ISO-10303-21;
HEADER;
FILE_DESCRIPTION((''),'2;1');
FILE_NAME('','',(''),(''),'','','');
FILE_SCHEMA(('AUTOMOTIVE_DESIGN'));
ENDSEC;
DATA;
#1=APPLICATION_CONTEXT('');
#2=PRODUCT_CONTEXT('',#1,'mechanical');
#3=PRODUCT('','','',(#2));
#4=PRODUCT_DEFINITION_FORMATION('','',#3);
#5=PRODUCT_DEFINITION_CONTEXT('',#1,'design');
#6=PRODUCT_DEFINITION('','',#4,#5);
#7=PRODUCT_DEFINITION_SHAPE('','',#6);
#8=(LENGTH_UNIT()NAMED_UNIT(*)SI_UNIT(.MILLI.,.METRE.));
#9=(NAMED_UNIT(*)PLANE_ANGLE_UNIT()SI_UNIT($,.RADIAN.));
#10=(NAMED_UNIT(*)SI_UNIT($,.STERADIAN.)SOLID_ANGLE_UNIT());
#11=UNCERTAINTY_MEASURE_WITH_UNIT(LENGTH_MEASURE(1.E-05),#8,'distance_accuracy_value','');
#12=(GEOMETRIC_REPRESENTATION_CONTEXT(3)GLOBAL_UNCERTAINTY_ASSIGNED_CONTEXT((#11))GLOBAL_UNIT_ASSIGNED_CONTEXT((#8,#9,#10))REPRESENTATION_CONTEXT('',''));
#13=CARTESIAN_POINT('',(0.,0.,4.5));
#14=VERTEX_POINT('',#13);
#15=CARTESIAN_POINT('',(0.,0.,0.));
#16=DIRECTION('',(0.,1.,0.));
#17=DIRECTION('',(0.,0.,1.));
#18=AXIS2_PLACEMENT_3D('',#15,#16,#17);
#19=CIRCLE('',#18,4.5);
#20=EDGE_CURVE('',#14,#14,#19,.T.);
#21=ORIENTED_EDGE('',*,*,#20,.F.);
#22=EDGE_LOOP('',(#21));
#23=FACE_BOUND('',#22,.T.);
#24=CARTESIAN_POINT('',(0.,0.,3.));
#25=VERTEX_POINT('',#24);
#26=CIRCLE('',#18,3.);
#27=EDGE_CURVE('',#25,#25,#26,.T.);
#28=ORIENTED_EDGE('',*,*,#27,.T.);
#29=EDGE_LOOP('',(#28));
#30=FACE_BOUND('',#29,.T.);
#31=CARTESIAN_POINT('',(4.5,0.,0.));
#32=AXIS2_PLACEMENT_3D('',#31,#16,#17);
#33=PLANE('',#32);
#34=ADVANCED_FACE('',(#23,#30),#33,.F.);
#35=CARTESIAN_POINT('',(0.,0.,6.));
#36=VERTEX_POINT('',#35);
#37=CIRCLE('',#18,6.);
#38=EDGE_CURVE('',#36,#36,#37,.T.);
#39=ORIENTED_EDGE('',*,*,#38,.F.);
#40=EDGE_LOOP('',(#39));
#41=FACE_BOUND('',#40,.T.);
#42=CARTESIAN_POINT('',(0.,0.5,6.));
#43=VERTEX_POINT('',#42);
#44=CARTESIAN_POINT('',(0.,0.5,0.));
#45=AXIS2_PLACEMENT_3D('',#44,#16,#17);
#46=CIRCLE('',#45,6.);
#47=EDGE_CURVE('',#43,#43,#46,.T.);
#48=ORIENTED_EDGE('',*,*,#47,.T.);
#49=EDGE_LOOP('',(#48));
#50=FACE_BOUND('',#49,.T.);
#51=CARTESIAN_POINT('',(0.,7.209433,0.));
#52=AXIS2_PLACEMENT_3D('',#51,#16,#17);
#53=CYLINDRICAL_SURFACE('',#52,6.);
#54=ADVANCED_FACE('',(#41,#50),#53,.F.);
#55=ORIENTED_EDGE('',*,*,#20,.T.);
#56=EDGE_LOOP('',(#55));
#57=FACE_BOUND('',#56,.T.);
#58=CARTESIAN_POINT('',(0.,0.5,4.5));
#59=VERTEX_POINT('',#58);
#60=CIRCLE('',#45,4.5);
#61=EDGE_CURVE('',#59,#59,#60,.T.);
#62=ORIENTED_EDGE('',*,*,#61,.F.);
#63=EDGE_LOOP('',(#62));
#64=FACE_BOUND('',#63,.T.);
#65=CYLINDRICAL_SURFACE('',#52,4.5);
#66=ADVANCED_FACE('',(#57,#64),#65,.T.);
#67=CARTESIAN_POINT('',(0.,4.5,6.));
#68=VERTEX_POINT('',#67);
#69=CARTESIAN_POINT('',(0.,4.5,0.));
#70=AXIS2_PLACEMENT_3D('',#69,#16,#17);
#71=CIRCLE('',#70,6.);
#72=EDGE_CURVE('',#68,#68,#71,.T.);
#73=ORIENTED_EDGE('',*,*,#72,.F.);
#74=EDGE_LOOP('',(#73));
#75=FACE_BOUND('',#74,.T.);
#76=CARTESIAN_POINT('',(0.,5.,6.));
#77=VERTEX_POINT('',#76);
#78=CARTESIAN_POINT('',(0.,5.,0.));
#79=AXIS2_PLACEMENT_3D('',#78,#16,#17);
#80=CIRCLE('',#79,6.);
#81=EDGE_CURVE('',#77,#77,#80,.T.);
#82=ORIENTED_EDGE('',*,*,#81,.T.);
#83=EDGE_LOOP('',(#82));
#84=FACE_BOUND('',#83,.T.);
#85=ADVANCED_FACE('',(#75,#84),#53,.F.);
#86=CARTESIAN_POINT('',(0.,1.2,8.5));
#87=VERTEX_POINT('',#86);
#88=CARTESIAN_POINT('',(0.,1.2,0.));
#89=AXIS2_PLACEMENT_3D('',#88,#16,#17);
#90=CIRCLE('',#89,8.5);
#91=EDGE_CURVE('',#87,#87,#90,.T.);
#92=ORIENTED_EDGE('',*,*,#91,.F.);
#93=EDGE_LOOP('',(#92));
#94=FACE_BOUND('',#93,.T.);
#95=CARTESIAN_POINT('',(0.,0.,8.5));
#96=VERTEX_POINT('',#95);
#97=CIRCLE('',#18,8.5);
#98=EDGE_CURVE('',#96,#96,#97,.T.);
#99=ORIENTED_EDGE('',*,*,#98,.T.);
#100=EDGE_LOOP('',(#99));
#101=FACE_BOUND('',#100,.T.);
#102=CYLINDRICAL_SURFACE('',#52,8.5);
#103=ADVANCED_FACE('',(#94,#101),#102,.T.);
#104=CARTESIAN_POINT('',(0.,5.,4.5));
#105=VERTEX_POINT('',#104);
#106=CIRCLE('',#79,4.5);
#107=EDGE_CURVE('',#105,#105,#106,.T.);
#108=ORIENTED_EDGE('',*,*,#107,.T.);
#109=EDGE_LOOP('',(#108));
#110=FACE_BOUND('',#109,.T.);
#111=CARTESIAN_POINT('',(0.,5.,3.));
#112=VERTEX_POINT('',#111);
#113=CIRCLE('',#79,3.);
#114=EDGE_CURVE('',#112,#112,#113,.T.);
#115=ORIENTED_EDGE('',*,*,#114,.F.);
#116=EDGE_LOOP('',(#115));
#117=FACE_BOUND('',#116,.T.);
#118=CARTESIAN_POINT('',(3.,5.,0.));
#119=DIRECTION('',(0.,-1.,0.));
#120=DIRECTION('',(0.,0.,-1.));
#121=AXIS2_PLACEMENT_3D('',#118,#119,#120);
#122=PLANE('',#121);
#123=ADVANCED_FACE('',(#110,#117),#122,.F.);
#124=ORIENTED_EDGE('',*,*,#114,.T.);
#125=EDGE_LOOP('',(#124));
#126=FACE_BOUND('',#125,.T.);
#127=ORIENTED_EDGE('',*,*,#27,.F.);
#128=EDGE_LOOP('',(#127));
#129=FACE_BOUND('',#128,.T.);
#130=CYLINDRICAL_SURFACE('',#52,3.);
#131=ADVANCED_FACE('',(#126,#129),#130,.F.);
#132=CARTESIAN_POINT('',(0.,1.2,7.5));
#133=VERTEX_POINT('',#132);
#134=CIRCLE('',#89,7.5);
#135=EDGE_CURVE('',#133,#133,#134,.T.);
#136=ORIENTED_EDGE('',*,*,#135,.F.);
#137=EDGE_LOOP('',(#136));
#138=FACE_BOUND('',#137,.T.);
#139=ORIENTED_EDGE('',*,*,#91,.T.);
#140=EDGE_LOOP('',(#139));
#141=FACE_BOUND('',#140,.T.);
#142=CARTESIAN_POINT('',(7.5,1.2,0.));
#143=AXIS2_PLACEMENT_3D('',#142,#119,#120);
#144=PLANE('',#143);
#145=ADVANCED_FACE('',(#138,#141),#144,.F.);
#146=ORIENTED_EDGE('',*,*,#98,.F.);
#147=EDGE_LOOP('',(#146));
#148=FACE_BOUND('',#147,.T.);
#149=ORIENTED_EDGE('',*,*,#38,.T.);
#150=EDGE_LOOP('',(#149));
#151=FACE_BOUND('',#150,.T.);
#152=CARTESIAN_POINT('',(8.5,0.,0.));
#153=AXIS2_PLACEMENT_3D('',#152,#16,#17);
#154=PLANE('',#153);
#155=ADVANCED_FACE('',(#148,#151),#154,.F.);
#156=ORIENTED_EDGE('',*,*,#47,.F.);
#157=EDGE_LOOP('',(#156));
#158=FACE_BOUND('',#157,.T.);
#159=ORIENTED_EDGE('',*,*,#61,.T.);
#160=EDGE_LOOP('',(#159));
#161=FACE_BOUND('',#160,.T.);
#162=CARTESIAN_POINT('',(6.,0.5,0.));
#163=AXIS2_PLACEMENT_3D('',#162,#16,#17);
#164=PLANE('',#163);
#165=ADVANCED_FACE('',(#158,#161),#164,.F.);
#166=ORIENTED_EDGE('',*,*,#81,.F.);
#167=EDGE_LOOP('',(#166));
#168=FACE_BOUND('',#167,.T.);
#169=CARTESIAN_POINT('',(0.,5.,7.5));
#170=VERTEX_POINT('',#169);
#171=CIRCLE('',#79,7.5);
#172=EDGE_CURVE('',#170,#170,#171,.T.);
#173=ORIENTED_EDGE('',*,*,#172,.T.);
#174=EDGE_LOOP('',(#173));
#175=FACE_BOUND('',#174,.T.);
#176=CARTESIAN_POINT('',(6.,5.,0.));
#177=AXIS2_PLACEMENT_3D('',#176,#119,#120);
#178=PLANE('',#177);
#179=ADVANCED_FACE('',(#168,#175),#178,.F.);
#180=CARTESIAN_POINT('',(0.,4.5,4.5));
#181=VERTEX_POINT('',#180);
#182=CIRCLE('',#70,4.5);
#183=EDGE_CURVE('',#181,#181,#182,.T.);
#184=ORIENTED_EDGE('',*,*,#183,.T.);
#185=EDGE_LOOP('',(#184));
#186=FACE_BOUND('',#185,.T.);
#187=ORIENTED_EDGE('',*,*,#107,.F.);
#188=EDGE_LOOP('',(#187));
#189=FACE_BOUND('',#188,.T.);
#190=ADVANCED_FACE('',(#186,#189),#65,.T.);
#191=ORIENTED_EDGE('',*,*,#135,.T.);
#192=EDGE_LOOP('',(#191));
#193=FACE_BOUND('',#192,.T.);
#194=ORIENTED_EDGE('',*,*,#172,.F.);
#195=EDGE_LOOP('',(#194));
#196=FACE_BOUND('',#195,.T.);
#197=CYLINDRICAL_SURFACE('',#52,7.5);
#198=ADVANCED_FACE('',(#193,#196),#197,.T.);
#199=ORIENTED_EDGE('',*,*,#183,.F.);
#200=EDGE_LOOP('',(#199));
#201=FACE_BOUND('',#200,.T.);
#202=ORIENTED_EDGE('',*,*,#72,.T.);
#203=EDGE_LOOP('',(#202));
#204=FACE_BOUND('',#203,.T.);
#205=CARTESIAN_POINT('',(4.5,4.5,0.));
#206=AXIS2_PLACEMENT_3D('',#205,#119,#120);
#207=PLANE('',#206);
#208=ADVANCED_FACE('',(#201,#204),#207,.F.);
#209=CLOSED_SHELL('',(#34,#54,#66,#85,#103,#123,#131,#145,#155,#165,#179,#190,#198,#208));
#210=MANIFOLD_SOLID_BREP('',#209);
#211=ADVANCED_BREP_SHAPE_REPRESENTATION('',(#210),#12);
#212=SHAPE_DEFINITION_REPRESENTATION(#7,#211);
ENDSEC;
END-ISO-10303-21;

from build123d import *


with BuildPart() as part:
    # 草图1 → 旋转1 (revolve)
    with BuildSketch(Plane.XY, mode=Mode.PRIVATE) as revolve_1_sk:
        Polygon((3, 0), (3, 5), (4.5, 5), (4.5, 4.5), (6, 4.5), (6, 5), (7.5, 5), (7.5, 1.2), (8.5, 1.2), (8.5, 0), (6, 0), (6, 0.5), (4.5, 0.5), (4.5, 0), align=None)
    revolve(revolve_1_sk.sketch.rotate(Axis((0, 7.209432939, 0), (0, -1, 0)), 90), axis=Axis((0, 7.209432939, 0), (0, -1, 0)))


solid = part.part
